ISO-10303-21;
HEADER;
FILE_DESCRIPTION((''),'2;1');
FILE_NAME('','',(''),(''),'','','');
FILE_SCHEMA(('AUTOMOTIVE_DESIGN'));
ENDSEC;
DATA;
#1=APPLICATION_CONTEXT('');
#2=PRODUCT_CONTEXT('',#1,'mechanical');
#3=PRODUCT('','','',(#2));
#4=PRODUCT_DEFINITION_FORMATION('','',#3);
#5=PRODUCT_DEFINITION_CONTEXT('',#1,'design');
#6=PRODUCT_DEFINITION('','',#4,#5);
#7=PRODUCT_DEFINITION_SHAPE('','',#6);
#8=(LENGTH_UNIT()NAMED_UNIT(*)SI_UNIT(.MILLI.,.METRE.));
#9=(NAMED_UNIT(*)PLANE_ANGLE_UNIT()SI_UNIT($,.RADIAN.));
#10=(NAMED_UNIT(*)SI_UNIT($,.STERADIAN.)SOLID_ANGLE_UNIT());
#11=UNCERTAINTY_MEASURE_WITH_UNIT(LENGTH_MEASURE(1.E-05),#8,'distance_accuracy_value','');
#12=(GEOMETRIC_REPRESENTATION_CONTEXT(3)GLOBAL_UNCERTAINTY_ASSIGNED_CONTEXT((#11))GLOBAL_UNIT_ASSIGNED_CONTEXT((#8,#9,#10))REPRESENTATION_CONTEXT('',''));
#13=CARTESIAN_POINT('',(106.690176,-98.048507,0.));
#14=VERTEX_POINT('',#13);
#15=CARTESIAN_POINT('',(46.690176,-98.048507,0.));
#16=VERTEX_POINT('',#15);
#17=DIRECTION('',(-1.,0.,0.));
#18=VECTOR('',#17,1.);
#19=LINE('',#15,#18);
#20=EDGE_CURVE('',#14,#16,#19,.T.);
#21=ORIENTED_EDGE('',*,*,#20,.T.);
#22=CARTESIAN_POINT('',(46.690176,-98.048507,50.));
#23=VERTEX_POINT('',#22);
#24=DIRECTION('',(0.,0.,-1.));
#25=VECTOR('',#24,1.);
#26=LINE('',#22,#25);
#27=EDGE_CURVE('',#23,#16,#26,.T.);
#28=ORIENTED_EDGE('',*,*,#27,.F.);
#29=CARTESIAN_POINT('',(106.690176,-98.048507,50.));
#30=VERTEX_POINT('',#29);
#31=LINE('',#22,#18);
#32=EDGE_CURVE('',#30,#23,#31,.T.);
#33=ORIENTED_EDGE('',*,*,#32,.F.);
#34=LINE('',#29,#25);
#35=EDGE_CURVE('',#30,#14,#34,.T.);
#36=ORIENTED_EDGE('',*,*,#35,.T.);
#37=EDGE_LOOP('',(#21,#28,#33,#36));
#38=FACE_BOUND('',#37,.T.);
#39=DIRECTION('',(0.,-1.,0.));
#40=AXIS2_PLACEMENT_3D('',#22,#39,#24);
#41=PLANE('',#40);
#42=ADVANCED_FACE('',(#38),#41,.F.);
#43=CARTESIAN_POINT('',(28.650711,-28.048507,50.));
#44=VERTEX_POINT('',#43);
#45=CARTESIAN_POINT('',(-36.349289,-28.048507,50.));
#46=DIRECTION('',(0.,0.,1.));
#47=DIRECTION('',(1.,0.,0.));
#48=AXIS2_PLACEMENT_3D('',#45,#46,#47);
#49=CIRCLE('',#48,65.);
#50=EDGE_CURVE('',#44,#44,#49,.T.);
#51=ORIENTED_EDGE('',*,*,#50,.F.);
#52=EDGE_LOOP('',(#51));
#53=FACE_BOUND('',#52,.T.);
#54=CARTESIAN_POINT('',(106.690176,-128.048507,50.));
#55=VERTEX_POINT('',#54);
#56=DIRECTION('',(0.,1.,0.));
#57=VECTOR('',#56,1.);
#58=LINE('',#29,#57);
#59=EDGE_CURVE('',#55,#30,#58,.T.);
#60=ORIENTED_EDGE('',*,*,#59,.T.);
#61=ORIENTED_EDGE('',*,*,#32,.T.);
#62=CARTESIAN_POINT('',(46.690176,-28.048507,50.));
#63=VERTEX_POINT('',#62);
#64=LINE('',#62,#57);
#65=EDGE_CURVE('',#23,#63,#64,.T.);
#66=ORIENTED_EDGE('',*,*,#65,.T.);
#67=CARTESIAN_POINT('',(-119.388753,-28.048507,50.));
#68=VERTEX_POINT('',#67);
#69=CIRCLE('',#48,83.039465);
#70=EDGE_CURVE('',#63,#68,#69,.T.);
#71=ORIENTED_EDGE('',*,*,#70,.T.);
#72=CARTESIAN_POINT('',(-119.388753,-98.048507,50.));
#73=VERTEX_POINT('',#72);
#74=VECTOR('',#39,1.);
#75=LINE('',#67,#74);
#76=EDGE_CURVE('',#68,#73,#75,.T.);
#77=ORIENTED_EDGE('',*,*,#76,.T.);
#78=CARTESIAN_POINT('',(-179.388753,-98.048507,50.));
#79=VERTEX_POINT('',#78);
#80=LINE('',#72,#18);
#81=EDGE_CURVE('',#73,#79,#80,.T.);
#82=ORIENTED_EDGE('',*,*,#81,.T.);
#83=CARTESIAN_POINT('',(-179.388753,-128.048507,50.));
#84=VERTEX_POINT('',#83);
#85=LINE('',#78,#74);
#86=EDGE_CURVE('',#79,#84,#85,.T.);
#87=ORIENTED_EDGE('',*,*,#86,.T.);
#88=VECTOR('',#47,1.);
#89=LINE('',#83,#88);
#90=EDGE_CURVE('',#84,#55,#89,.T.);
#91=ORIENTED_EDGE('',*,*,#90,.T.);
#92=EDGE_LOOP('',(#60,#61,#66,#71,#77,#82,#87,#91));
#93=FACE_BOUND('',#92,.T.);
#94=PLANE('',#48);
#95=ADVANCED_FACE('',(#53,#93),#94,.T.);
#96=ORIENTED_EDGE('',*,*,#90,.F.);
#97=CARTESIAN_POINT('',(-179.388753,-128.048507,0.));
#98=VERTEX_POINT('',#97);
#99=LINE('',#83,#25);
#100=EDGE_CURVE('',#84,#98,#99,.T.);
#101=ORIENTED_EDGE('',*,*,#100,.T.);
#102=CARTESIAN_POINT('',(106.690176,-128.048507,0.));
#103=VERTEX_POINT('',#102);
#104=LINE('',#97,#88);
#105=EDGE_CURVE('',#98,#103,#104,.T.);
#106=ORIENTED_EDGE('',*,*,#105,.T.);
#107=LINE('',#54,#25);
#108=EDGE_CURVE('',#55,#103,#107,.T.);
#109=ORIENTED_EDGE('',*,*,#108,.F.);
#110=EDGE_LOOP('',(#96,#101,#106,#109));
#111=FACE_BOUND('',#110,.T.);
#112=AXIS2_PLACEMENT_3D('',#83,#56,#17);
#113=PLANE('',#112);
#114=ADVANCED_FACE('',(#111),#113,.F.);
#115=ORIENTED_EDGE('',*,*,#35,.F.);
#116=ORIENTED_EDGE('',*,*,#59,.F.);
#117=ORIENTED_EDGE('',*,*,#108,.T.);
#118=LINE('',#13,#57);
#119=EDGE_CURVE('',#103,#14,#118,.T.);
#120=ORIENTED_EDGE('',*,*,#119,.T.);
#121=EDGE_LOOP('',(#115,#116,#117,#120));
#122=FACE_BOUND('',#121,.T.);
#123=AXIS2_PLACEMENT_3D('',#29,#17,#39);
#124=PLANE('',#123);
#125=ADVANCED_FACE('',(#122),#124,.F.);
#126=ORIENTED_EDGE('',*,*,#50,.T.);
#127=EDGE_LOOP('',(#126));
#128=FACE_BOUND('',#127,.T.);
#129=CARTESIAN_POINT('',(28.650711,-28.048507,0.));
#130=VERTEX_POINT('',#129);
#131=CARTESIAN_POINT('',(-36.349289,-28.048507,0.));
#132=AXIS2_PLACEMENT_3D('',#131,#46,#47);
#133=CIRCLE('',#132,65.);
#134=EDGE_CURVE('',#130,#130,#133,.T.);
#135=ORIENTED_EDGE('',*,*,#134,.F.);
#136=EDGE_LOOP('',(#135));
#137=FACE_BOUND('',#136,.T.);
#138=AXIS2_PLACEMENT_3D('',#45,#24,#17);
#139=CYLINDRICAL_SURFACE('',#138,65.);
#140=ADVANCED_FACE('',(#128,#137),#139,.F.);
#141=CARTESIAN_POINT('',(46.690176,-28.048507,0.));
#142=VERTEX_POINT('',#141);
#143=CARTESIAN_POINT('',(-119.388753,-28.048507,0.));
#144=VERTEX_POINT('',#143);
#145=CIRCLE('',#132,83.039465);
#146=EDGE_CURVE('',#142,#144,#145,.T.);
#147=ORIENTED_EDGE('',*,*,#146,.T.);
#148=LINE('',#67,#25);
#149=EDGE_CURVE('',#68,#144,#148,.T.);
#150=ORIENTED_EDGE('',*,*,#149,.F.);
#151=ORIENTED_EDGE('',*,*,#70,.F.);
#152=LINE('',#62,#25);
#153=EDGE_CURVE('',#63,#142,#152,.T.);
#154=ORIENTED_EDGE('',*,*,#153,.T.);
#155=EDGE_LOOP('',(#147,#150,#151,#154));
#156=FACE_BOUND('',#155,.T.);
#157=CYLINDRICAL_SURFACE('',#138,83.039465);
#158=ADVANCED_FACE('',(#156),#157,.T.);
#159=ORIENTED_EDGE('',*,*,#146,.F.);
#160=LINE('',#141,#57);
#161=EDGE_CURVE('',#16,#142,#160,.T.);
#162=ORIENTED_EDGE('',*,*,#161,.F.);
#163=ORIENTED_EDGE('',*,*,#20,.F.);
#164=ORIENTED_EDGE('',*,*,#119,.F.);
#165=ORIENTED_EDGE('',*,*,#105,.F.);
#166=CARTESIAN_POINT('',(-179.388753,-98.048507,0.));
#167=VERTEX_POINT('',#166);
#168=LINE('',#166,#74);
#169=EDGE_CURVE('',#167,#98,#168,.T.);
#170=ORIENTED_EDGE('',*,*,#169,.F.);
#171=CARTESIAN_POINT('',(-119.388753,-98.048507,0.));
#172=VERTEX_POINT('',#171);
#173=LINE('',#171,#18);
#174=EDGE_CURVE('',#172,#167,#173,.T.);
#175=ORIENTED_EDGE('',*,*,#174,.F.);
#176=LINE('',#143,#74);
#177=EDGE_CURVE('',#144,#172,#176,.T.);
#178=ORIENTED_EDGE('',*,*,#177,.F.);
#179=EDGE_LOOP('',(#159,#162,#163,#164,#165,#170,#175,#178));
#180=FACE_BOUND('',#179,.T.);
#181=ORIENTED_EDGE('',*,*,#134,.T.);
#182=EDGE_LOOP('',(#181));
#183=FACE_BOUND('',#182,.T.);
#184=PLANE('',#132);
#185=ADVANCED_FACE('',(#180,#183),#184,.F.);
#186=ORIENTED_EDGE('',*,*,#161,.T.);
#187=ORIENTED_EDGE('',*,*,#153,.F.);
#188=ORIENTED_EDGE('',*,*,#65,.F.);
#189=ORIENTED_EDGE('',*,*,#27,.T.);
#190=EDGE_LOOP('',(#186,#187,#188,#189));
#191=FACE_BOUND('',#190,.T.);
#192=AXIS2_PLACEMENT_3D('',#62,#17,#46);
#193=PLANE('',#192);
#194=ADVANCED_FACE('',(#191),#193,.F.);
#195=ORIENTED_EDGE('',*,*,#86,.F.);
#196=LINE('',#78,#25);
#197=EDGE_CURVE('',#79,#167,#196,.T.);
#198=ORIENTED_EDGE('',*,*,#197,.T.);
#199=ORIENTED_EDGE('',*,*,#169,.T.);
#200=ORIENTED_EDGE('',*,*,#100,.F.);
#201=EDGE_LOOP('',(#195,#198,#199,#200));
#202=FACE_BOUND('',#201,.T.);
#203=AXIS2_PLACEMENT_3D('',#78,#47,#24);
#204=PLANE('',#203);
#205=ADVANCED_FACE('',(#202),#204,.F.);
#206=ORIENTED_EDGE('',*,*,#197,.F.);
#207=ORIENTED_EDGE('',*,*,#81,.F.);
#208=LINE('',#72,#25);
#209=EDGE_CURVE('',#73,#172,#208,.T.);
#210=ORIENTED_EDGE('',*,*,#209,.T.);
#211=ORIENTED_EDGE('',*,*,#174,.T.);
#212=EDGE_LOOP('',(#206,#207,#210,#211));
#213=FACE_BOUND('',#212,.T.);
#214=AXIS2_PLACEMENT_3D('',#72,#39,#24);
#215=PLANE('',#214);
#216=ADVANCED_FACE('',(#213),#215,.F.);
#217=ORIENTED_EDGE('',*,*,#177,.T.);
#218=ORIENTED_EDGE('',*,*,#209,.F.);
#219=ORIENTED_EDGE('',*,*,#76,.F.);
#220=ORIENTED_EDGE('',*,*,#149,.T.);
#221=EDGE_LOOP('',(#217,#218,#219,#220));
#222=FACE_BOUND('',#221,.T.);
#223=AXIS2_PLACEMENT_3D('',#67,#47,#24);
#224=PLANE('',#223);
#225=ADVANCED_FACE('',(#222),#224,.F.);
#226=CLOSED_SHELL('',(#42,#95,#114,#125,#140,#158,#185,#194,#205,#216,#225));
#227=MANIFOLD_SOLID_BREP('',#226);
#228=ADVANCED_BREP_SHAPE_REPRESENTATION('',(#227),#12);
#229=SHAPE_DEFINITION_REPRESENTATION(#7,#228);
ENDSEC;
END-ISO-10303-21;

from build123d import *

# Parameters (mm, degrees)
SKETCH1_R           = 65
BOSS_EXTRUDE3_DEPTH = 50


with BuildPart() as part:
    # Sketch1 → Boss-Extrude3 (new body)
    with BuildSketch(Plane.XY):
        with BuildLine():
            Line((-119.388753371, -28.048506758), (-119.388753371, -98.048506758))
            Line((-119.388753371, -98.048506758), (-179.388753371, -98.048506758))
            Line((-179.388753371, -98.048506758), (-179.388753371, -128.048506758))
            Line((-179.388753371, -128.048506758), (106.690175812, -128.048506758))
            Line((106.690175812, -128.048506758), (106.690175812, -98.048506758))
            Line((106.690175812, -98.048506758), (46.690175812, -98.048506758))
            Line((46.690175812, -98.048506758), (46.690175812, -28.048506758))
            ThreePointArc((46.690175812, -28.048506758), (-36.34928878, 54.990957833), (-119.388753371, -28.048506758))
        make_face()
        with Locations((-36.34928878, -28.048506758)):
            Circle(SKETCH1_R, mode=Mode.SUBTRACT)
    extrude(amount=BOSS_EXTRUDE3_DEPTH)


solid = part.part
